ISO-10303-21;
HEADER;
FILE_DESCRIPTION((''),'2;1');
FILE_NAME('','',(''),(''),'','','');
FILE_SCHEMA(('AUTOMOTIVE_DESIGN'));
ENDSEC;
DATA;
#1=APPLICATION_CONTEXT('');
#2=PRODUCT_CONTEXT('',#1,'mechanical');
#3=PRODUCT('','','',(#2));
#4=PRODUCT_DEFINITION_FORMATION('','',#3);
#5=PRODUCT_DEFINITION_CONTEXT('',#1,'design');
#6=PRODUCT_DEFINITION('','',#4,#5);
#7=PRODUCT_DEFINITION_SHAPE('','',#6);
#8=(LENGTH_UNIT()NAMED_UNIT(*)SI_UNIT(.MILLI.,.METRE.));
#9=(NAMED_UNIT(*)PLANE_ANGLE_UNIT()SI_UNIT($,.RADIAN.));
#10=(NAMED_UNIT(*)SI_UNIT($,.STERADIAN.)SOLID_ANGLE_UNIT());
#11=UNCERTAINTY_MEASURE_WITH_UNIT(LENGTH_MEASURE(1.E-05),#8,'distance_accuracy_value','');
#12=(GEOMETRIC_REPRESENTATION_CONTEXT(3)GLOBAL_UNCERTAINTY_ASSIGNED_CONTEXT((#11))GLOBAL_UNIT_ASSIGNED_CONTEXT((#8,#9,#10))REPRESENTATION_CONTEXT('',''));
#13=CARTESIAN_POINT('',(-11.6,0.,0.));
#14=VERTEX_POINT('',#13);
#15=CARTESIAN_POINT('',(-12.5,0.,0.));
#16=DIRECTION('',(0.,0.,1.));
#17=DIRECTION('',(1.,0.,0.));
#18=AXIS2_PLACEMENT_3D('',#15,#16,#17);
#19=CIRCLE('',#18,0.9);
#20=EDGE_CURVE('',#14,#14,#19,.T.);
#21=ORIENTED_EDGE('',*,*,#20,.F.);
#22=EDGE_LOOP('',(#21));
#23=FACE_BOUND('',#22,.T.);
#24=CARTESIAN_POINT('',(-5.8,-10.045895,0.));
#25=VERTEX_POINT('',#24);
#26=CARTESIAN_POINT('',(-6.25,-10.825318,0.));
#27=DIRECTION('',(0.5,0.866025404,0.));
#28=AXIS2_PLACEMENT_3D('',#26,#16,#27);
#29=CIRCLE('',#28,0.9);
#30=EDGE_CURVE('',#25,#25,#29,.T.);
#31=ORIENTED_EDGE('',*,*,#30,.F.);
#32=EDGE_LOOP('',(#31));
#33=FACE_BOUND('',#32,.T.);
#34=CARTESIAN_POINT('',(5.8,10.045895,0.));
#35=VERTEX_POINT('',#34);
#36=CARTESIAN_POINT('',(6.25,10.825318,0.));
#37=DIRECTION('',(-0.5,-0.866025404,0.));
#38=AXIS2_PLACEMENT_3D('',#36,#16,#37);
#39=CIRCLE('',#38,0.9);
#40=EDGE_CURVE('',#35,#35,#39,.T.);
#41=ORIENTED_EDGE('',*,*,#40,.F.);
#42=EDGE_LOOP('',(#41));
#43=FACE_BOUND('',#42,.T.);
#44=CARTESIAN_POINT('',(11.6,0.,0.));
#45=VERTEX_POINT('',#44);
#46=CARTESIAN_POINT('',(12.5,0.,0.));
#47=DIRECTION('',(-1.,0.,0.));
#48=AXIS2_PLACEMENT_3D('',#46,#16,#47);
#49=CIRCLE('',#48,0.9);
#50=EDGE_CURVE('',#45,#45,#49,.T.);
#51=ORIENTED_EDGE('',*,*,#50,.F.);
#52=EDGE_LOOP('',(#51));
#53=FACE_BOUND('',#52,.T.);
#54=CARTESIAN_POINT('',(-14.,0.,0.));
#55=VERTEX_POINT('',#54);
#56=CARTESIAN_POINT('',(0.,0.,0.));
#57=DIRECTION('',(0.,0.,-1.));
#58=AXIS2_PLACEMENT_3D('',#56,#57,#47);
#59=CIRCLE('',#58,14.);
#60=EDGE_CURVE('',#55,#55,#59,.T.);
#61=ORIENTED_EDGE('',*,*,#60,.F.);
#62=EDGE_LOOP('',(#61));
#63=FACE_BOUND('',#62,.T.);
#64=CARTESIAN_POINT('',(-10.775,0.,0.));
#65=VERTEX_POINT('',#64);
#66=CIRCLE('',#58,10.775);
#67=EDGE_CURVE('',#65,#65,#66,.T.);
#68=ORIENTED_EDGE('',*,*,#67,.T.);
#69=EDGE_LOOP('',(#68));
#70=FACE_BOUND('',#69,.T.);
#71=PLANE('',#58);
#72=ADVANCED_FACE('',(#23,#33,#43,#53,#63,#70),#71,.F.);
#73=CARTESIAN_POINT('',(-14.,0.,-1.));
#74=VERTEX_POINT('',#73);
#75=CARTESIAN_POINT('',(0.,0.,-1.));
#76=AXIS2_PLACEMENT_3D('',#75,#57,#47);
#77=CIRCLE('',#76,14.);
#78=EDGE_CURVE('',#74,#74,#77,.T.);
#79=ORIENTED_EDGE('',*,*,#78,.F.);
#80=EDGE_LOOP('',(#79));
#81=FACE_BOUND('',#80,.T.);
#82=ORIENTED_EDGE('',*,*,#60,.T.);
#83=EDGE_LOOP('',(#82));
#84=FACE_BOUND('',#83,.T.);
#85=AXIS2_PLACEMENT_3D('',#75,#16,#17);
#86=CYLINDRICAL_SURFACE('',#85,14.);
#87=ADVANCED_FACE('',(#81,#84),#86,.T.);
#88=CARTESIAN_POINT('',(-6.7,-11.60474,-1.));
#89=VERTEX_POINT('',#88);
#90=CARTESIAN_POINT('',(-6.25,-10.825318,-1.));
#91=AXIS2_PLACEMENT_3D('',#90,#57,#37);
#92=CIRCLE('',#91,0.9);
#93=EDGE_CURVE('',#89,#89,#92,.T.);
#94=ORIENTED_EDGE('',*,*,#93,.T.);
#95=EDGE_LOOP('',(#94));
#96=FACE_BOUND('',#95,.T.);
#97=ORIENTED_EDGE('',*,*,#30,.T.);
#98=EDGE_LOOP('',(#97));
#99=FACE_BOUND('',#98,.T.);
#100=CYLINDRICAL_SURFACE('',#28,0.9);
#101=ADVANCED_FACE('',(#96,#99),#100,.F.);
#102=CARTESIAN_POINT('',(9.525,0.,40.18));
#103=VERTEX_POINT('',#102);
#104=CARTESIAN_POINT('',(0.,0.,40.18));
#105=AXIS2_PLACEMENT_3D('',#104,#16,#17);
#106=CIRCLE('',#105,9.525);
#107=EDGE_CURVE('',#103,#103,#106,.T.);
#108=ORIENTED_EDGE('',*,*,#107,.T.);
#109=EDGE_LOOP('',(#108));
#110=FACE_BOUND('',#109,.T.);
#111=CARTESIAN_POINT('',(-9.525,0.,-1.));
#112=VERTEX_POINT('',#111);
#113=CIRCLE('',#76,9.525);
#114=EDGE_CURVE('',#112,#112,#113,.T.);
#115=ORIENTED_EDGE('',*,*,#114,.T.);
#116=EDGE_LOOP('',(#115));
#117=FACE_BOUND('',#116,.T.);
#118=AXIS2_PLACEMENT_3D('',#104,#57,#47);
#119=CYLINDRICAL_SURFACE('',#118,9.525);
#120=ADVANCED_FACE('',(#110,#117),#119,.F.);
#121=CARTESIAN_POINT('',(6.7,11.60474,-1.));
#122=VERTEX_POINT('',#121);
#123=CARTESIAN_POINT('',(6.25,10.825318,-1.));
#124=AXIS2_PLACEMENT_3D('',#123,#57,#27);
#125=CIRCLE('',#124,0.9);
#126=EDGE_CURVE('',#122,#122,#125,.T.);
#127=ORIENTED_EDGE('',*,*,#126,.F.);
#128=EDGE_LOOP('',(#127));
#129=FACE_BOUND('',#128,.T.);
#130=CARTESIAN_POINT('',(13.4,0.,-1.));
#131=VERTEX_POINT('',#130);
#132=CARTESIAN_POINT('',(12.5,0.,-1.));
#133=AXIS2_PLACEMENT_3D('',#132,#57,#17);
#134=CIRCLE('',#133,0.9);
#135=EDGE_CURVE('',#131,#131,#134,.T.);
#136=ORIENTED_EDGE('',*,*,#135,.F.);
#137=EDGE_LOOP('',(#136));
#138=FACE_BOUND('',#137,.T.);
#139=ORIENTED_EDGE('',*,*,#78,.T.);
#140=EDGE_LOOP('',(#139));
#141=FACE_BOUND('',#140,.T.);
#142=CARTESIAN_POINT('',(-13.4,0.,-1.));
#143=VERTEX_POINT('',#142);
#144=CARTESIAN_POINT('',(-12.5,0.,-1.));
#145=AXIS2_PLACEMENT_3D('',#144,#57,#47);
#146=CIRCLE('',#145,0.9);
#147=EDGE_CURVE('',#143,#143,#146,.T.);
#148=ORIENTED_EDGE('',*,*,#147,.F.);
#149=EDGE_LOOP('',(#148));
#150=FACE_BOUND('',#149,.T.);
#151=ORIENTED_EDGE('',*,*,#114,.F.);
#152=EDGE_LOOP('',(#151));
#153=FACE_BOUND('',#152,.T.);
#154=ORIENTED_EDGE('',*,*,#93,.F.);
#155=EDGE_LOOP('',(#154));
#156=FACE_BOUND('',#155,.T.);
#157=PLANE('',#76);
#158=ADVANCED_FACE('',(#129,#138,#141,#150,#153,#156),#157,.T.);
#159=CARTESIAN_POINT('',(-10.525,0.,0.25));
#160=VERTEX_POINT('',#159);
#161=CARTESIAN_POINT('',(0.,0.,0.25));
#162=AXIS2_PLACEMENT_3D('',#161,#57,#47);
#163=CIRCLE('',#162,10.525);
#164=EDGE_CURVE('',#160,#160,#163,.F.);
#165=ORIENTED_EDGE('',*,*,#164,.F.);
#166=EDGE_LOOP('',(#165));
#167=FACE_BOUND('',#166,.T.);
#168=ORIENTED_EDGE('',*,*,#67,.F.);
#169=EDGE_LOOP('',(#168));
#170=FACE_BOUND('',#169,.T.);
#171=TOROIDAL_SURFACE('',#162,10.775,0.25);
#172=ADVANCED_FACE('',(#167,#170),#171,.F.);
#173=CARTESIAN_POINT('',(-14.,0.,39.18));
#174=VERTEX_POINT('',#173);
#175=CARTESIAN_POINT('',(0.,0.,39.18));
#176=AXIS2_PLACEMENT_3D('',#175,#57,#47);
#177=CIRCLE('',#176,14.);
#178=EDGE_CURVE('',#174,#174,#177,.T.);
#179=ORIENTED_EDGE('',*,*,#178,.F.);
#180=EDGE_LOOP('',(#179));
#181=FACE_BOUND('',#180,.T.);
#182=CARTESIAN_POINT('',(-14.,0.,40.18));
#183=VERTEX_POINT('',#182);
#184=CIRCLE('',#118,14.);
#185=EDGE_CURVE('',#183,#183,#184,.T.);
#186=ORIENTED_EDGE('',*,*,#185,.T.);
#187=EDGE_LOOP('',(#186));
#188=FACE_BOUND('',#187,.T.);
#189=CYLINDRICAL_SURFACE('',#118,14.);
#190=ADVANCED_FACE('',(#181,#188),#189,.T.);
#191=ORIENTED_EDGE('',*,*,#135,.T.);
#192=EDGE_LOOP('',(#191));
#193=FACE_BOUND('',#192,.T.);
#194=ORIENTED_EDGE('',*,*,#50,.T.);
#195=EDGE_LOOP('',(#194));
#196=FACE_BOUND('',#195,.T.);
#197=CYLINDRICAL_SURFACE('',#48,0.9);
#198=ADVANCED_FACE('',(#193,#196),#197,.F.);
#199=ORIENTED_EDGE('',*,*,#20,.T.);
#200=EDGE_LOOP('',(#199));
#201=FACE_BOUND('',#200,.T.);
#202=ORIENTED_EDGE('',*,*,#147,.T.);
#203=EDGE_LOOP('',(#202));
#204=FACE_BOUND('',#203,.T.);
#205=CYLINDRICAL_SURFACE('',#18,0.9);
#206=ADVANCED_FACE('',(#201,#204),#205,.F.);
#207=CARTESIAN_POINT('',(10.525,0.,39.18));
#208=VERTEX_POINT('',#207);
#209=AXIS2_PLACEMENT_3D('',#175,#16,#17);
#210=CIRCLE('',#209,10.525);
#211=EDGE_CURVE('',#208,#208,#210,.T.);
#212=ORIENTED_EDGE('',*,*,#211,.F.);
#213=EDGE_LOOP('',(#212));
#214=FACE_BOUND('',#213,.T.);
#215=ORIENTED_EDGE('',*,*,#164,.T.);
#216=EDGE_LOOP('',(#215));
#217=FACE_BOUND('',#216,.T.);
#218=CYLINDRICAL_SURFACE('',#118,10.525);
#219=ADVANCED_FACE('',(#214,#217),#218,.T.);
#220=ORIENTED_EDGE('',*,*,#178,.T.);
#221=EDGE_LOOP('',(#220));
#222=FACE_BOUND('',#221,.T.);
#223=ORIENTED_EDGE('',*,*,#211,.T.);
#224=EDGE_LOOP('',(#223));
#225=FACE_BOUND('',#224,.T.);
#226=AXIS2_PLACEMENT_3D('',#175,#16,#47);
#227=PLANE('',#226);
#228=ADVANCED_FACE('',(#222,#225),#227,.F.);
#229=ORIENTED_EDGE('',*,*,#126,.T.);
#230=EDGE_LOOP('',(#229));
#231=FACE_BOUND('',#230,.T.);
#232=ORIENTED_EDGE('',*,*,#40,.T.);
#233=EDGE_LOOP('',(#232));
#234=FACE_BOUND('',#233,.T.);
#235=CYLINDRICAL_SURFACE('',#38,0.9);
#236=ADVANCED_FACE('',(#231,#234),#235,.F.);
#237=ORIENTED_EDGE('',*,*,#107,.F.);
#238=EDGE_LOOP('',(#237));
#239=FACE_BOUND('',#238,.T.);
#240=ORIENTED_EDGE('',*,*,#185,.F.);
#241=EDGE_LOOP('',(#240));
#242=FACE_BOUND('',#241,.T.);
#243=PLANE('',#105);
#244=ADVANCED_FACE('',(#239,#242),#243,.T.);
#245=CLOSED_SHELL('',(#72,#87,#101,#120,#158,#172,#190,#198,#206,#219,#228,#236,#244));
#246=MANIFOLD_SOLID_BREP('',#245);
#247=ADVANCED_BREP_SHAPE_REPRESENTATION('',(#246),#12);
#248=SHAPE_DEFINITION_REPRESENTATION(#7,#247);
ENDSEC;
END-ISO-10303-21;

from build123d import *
from build123d.topology import SkipClean

# Parameters (mm, degrees)
SKETCH1_R           = 10.525
SKETCH1_R_2         = 9.525
BOSS_EXTRUDE1_DEPTH = 40.18
BOSS_EXTRUDE2_START = 1
SKETCH2_R           = 14
SKETCH2_R_2         = 9.525
BOSS_EXTRUDE2_DEPTH = 1
CIRPATTERN1_COUNT   = 6
FILLET1_R           = 0.25


with BuildPart() as part:
    # Sketch1 → Boss-Extrude1 (new body)
    with BuildSketch(Plane.XY):
        Circle(SKETCH1_R)
        Circle(SKETCH1_R_2, mode=Mode.SUBTRACT)
    extrude(amount=BOSS_EXTRUDE1_DEPTH)

    # Sketch2 → Boss-Extrude2 (add)
    with SkipClean():  # the faces are left unmerged after this step: merging them gives an invalid solid
        with BuildSketch(Plane(origin=(0, 0, 0), x_dir=(-1, 0, 0), z_dir=(0, 0, -1)).offset(BOSS_EXTRUDE2_START)):
            Circle(SKETCH2_R)
            Circle(SKETCH2_R_2, mode=Mode.SUBTRACT)
        boss_extrude2 = extrude(amount=-BOSS_EXTRUDE2_DEPTH)

    # Sketch11 → M1.6 Clearance Hole1 (revolve, cut)
    with SkipClean():  # the faces are left unmerged after this step: merging them gives an invalid solid
        with BuildSketch(Plane(origin=(-12.5, 0, 0), x_dir=(0, -1, 0), z_dir=(1, 0, 0))):
            Polygon((0, 0), (0, 5.540774557), (0.9, 5), (0.9, 0), align=None)
        m1_6_clearance_hole1 = revolve(axis=Axis((-12.5, 0, 6.35), (0, 0, -1)), mode=Mode.SUBTRACT)

    # CirPattern1: M1.6 Clearance Hole1 ×6 about axis, 2 skipped
    with SkipClean():  # the faces are left unmerged after this step: merging them gives an invalid solid
        cirpattern1_axis = Axis((0, 0, 0), (0, 0, -1))
        add([m1_6_clearance_hole1.rotate(cirpattern1_axis, i * 360 / CIRPATTERN1_COUNT) for i in range(1, CIRPATTERN1_COUNT) if i not in (1, 4)], mode=Mode.SUBTRACT)

    # Fillet1
    fillet1_edges = [part.edges().sort_by_distance(p)[0] for p in [
        (-10.525, 0, 0),
    ]]
    fillet(fillet1_edges, radius=FILLET1_R)

    # Mirror1: Boss-Extrude2 across plane
    add(boss_extrude2.mirror(Plane.XY.offset(19.59)))


solid = part.part
